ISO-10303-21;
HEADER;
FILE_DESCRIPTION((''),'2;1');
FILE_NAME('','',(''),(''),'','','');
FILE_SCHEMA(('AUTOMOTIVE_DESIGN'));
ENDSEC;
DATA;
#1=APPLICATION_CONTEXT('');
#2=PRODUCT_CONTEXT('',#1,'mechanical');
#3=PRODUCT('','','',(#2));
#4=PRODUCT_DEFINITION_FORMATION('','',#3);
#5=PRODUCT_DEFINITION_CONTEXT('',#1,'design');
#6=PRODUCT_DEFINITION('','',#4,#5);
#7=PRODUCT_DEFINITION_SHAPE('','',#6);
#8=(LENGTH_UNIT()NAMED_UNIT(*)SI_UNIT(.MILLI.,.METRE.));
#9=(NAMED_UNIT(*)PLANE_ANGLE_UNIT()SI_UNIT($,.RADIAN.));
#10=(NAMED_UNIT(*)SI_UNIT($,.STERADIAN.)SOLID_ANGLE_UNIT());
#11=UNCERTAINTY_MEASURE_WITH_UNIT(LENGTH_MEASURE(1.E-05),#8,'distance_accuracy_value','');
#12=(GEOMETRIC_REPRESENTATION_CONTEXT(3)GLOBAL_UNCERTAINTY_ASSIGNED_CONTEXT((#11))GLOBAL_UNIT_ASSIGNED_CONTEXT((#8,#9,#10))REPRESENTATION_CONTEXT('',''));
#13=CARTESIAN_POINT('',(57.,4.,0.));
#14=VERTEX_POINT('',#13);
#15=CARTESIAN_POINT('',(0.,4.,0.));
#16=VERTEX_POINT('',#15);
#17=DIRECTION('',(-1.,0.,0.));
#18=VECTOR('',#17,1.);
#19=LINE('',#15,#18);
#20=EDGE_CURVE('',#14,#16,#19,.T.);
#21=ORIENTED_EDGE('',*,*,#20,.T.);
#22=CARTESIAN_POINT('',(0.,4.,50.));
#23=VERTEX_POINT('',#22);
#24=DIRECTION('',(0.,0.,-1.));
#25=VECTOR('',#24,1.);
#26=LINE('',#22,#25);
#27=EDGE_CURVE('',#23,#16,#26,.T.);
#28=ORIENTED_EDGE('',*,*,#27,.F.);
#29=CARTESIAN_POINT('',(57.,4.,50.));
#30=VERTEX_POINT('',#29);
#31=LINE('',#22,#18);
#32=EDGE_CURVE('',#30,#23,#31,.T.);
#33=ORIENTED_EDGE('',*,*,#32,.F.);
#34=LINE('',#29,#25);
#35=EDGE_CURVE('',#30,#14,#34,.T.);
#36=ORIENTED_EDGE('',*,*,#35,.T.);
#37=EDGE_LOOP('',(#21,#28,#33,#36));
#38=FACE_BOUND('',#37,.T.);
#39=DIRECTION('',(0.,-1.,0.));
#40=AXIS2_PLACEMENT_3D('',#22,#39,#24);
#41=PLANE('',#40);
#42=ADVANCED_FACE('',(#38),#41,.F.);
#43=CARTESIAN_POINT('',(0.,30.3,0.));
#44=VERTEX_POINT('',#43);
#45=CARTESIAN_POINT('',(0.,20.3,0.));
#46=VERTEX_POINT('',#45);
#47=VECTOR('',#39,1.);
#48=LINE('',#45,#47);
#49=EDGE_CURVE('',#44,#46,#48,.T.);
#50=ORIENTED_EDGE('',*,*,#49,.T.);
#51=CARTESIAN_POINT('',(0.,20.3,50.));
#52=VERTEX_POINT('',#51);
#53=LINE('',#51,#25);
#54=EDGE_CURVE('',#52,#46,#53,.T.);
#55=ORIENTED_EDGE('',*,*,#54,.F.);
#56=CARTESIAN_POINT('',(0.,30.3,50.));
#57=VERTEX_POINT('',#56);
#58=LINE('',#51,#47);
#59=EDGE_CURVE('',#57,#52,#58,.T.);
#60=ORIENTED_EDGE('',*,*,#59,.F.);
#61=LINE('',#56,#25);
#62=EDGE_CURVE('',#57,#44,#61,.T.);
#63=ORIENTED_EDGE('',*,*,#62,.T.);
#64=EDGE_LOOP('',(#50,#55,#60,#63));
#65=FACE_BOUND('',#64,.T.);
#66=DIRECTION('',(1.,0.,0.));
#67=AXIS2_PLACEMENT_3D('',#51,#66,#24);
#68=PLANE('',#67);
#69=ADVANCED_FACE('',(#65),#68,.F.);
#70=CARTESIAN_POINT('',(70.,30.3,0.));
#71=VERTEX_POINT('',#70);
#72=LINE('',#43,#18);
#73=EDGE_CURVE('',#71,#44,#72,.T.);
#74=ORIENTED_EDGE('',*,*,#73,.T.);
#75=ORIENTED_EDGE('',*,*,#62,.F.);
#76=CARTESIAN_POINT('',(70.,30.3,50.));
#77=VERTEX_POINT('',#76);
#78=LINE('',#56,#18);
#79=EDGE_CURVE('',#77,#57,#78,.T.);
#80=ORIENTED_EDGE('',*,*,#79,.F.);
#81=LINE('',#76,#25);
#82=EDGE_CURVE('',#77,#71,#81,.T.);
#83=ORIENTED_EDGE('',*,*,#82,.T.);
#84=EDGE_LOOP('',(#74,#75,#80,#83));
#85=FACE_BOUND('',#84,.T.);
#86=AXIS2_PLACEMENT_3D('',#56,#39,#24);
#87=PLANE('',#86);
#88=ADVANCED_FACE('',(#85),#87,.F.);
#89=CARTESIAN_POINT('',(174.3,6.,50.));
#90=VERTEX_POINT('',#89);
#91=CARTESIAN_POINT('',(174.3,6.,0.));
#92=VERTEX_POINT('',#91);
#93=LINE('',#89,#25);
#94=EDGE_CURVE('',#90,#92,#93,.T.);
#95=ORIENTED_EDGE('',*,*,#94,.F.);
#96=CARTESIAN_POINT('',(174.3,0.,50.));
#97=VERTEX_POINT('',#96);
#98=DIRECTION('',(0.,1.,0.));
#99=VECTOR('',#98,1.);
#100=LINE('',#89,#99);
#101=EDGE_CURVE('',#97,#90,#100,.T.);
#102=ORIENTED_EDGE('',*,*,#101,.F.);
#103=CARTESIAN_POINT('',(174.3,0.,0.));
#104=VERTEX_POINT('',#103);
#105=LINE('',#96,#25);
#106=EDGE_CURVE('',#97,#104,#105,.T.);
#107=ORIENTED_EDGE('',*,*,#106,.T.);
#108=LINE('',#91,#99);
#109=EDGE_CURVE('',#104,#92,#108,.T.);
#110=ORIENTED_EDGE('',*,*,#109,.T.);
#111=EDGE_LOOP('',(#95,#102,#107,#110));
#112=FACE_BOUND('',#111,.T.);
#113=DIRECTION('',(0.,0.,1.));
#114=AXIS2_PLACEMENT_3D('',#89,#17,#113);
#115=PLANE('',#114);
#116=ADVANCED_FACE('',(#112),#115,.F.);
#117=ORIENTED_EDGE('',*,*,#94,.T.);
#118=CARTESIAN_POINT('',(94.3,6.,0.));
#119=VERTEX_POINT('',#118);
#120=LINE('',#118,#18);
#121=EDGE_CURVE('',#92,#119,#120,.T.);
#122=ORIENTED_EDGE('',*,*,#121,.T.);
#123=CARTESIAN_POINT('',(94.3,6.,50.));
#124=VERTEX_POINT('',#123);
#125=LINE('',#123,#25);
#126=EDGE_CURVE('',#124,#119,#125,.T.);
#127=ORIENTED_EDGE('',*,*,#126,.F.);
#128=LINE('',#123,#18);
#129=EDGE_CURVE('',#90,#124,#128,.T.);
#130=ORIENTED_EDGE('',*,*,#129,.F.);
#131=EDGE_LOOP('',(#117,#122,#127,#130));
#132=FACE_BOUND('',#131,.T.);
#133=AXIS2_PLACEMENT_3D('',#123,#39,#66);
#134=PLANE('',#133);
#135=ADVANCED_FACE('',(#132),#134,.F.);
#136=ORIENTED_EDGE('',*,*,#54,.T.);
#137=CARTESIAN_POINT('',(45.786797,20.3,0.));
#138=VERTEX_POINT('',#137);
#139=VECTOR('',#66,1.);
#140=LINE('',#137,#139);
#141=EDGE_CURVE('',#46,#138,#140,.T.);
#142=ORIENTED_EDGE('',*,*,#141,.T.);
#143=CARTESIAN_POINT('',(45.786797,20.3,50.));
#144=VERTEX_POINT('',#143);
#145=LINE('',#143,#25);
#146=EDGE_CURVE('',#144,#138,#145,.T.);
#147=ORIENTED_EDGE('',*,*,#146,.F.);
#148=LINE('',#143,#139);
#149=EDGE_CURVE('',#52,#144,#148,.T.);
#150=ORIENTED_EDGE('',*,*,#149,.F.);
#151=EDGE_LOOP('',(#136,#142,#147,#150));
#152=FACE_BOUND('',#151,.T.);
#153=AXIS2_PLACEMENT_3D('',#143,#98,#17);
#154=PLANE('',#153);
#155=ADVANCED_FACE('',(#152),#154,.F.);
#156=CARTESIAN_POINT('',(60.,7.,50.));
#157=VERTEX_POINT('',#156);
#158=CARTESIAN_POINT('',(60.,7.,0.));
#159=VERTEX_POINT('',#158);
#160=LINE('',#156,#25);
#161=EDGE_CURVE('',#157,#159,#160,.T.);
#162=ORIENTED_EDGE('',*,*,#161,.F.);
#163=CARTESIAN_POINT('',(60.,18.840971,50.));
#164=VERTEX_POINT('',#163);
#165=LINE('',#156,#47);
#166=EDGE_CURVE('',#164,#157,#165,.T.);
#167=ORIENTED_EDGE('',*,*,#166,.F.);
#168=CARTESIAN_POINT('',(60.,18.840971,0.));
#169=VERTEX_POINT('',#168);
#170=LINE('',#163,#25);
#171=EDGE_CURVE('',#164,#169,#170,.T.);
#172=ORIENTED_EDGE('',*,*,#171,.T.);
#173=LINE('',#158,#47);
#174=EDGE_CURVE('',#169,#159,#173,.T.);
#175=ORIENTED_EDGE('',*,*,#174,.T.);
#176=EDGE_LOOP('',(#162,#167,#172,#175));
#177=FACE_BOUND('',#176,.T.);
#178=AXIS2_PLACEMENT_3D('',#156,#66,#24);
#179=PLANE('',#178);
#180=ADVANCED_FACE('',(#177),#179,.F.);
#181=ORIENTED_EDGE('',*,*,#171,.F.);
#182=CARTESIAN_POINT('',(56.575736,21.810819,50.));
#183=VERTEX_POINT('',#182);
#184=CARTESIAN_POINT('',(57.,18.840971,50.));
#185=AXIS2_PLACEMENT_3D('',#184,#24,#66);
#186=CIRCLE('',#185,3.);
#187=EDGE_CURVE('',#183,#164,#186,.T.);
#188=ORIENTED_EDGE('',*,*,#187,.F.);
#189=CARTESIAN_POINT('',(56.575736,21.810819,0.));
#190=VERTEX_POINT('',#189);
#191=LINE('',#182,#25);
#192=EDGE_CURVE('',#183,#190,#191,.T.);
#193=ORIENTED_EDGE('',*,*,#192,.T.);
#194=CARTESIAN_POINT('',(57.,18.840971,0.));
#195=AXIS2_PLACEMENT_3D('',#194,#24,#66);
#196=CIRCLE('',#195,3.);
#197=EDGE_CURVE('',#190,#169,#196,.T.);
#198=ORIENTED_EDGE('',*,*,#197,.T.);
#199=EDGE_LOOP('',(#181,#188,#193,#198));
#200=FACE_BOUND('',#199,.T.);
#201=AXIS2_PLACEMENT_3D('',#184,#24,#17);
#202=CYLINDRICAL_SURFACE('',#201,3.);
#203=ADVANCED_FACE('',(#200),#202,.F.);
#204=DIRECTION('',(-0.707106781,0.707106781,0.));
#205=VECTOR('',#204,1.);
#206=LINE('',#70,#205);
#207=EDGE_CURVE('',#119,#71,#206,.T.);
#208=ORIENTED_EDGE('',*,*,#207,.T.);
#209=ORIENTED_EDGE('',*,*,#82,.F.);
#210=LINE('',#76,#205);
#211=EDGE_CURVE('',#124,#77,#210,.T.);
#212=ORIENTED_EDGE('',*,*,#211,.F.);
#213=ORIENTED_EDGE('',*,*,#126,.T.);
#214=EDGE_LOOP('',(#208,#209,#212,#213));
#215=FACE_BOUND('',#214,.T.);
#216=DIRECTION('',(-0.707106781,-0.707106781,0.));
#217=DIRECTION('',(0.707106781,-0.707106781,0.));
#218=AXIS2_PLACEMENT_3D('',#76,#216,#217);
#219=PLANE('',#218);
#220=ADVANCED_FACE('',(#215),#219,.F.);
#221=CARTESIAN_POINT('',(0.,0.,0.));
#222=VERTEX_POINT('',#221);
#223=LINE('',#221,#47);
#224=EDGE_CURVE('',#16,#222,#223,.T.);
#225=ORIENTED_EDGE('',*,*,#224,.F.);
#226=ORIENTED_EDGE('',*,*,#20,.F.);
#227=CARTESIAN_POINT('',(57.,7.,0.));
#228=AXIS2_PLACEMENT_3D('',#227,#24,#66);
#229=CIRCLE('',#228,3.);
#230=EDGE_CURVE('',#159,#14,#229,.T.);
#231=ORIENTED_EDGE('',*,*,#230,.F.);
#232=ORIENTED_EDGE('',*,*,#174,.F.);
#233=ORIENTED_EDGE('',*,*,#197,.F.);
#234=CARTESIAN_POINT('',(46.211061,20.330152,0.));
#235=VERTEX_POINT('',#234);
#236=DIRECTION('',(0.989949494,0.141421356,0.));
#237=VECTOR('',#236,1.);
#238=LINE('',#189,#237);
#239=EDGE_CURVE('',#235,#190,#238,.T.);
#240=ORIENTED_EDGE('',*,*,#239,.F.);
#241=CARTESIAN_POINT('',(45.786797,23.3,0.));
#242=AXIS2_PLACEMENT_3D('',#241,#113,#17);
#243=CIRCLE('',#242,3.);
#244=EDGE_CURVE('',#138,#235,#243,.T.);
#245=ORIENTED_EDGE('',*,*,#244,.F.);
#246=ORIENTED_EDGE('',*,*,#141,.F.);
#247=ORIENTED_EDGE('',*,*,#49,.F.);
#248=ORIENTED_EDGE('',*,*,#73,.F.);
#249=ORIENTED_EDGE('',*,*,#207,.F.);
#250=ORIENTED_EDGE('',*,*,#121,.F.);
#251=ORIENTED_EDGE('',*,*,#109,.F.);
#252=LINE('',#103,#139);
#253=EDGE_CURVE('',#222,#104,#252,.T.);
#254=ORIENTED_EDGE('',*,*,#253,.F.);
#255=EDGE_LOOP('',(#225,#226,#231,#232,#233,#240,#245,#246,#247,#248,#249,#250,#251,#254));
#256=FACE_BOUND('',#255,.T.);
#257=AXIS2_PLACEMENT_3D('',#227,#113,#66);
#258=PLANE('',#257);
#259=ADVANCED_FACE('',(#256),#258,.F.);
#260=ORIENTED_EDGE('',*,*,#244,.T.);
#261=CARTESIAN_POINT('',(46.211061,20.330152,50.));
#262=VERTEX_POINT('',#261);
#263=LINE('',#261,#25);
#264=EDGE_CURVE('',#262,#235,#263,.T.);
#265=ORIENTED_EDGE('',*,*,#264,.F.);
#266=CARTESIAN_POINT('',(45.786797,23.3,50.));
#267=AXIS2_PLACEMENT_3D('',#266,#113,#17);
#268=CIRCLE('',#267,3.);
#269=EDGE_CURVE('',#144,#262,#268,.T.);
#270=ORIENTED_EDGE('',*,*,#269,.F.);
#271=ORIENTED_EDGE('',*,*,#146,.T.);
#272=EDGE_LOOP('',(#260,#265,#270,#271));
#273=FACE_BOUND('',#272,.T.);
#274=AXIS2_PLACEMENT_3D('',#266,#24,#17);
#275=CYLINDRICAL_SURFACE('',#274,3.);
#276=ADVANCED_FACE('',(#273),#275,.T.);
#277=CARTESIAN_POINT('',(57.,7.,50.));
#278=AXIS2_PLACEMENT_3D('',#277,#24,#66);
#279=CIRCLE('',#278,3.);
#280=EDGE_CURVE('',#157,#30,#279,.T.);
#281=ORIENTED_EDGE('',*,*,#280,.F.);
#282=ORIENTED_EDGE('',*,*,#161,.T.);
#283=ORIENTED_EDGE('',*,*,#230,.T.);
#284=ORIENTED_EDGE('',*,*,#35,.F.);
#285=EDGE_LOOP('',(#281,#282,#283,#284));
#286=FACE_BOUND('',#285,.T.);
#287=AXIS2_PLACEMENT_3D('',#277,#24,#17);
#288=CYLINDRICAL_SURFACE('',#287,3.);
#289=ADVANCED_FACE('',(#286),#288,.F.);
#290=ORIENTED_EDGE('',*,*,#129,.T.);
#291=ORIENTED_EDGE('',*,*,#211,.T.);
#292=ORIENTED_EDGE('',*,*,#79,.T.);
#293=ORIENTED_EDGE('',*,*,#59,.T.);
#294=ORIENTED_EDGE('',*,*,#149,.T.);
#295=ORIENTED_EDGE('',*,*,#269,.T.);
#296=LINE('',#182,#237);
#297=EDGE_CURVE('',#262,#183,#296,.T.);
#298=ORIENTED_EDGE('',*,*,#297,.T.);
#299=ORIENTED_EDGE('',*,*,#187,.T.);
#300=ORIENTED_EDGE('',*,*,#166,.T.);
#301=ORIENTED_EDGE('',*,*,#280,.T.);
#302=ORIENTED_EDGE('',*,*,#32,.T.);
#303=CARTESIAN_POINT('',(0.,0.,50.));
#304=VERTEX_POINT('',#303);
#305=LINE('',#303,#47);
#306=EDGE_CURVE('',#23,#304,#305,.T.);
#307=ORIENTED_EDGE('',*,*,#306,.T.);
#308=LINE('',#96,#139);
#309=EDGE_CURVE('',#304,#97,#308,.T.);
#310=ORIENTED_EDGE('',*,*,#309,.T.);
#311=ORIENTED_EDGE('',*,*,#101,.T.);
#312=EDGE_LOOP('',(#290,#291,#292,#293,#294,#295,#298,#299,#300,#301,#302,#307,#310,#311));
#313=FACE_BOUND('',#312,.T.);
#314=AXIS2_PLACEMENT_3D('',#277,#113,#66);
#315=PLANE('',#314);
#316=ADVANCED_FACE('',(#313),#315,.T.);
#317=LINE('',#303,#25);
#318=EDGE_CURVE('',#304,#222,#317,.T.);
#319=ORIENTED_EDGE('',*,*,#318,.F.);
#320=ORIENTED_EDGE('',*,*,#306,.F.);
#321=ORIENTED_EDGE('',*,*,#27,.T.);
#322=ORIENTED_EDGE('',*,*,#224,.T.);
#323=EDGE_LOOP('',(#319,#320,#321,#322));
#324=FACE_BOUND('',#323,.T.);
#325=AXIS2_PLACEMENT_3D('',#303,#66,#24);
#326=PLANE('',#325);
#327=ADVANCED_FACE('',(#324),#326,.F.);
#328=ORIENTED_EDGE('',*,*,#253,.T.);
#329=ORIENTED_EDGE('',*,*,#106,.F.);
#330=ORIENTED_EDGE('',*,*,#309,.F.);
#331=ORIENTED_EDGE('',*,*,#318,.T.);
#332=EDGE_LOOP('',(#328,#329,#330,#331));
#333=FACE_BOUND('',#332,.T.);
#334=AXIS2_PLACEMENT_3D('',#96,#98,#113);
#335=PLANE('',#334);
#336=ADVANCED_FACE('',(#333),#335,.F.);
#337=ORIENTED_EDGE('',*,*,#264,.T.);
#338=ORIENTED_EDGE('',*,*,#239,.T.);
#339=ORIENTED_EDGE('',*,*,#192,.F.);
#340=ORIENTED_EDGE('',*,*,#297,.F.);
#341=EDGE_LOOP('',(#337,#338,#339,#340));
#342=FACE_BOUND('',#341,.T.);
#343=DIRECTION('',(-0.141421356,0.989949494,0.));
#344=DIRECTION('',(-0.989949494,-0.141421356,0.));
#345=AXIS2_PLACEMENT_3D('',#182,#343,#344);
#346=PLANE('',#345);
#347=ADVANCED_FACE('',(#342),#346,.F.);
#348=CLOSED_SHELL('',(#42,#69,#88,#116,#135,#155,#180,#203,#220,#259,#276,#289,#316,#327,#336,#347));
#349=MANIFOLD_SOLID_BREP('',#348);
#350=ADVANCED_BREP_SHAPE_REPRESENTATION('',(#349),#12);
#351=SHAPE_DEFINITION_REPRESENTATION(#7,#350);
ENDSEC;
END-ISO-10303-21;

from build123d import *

# Parameters (mm, degrees)
BOSS_EXTRUDE1_DEPTH = 50


with BuildPart() as part:
    # Sketch1 → Boss-Extrude1 (new body)
    with BuildSketch(Plane.XY):
        with BuildLine():
            Line((0, 0), (0, 4))
            Line((0, 4), (57, 4))
            ThreePointArc((57, 4), (59.121320344, 4.878679656), (60, 7))
            Line((60, 7), (60, 18.840970938))
            ThreePointArc((60, 18.840970938), (58.965605224, 21.107332803), (56.575735931, 21.810819419))
            Line((56.575735931, 21.810819419), (46.211060633, 20.330151519))
            ThreePointArc((46.211060633, 20.330151519), (45.999463625, 20.307547374), (45.786796564, 20.3))
            Line((45.786796564, 20.3), (0, 20.3))
            Line((0, 20.3), (0, 30.3))
            Line((0, 30.3), (70, 30.3))
            Line((70, 30.3), (94.3, 6))
            Line((94.3, 6), (174.3, 6))
            Line((174.3, 6), (174.3, 0))
            Line((174.3, 0), (0, 0))
        make_face()
    extrude(amount=BOSS_EXTRUDE1_DEPTH)


solid = part.part
